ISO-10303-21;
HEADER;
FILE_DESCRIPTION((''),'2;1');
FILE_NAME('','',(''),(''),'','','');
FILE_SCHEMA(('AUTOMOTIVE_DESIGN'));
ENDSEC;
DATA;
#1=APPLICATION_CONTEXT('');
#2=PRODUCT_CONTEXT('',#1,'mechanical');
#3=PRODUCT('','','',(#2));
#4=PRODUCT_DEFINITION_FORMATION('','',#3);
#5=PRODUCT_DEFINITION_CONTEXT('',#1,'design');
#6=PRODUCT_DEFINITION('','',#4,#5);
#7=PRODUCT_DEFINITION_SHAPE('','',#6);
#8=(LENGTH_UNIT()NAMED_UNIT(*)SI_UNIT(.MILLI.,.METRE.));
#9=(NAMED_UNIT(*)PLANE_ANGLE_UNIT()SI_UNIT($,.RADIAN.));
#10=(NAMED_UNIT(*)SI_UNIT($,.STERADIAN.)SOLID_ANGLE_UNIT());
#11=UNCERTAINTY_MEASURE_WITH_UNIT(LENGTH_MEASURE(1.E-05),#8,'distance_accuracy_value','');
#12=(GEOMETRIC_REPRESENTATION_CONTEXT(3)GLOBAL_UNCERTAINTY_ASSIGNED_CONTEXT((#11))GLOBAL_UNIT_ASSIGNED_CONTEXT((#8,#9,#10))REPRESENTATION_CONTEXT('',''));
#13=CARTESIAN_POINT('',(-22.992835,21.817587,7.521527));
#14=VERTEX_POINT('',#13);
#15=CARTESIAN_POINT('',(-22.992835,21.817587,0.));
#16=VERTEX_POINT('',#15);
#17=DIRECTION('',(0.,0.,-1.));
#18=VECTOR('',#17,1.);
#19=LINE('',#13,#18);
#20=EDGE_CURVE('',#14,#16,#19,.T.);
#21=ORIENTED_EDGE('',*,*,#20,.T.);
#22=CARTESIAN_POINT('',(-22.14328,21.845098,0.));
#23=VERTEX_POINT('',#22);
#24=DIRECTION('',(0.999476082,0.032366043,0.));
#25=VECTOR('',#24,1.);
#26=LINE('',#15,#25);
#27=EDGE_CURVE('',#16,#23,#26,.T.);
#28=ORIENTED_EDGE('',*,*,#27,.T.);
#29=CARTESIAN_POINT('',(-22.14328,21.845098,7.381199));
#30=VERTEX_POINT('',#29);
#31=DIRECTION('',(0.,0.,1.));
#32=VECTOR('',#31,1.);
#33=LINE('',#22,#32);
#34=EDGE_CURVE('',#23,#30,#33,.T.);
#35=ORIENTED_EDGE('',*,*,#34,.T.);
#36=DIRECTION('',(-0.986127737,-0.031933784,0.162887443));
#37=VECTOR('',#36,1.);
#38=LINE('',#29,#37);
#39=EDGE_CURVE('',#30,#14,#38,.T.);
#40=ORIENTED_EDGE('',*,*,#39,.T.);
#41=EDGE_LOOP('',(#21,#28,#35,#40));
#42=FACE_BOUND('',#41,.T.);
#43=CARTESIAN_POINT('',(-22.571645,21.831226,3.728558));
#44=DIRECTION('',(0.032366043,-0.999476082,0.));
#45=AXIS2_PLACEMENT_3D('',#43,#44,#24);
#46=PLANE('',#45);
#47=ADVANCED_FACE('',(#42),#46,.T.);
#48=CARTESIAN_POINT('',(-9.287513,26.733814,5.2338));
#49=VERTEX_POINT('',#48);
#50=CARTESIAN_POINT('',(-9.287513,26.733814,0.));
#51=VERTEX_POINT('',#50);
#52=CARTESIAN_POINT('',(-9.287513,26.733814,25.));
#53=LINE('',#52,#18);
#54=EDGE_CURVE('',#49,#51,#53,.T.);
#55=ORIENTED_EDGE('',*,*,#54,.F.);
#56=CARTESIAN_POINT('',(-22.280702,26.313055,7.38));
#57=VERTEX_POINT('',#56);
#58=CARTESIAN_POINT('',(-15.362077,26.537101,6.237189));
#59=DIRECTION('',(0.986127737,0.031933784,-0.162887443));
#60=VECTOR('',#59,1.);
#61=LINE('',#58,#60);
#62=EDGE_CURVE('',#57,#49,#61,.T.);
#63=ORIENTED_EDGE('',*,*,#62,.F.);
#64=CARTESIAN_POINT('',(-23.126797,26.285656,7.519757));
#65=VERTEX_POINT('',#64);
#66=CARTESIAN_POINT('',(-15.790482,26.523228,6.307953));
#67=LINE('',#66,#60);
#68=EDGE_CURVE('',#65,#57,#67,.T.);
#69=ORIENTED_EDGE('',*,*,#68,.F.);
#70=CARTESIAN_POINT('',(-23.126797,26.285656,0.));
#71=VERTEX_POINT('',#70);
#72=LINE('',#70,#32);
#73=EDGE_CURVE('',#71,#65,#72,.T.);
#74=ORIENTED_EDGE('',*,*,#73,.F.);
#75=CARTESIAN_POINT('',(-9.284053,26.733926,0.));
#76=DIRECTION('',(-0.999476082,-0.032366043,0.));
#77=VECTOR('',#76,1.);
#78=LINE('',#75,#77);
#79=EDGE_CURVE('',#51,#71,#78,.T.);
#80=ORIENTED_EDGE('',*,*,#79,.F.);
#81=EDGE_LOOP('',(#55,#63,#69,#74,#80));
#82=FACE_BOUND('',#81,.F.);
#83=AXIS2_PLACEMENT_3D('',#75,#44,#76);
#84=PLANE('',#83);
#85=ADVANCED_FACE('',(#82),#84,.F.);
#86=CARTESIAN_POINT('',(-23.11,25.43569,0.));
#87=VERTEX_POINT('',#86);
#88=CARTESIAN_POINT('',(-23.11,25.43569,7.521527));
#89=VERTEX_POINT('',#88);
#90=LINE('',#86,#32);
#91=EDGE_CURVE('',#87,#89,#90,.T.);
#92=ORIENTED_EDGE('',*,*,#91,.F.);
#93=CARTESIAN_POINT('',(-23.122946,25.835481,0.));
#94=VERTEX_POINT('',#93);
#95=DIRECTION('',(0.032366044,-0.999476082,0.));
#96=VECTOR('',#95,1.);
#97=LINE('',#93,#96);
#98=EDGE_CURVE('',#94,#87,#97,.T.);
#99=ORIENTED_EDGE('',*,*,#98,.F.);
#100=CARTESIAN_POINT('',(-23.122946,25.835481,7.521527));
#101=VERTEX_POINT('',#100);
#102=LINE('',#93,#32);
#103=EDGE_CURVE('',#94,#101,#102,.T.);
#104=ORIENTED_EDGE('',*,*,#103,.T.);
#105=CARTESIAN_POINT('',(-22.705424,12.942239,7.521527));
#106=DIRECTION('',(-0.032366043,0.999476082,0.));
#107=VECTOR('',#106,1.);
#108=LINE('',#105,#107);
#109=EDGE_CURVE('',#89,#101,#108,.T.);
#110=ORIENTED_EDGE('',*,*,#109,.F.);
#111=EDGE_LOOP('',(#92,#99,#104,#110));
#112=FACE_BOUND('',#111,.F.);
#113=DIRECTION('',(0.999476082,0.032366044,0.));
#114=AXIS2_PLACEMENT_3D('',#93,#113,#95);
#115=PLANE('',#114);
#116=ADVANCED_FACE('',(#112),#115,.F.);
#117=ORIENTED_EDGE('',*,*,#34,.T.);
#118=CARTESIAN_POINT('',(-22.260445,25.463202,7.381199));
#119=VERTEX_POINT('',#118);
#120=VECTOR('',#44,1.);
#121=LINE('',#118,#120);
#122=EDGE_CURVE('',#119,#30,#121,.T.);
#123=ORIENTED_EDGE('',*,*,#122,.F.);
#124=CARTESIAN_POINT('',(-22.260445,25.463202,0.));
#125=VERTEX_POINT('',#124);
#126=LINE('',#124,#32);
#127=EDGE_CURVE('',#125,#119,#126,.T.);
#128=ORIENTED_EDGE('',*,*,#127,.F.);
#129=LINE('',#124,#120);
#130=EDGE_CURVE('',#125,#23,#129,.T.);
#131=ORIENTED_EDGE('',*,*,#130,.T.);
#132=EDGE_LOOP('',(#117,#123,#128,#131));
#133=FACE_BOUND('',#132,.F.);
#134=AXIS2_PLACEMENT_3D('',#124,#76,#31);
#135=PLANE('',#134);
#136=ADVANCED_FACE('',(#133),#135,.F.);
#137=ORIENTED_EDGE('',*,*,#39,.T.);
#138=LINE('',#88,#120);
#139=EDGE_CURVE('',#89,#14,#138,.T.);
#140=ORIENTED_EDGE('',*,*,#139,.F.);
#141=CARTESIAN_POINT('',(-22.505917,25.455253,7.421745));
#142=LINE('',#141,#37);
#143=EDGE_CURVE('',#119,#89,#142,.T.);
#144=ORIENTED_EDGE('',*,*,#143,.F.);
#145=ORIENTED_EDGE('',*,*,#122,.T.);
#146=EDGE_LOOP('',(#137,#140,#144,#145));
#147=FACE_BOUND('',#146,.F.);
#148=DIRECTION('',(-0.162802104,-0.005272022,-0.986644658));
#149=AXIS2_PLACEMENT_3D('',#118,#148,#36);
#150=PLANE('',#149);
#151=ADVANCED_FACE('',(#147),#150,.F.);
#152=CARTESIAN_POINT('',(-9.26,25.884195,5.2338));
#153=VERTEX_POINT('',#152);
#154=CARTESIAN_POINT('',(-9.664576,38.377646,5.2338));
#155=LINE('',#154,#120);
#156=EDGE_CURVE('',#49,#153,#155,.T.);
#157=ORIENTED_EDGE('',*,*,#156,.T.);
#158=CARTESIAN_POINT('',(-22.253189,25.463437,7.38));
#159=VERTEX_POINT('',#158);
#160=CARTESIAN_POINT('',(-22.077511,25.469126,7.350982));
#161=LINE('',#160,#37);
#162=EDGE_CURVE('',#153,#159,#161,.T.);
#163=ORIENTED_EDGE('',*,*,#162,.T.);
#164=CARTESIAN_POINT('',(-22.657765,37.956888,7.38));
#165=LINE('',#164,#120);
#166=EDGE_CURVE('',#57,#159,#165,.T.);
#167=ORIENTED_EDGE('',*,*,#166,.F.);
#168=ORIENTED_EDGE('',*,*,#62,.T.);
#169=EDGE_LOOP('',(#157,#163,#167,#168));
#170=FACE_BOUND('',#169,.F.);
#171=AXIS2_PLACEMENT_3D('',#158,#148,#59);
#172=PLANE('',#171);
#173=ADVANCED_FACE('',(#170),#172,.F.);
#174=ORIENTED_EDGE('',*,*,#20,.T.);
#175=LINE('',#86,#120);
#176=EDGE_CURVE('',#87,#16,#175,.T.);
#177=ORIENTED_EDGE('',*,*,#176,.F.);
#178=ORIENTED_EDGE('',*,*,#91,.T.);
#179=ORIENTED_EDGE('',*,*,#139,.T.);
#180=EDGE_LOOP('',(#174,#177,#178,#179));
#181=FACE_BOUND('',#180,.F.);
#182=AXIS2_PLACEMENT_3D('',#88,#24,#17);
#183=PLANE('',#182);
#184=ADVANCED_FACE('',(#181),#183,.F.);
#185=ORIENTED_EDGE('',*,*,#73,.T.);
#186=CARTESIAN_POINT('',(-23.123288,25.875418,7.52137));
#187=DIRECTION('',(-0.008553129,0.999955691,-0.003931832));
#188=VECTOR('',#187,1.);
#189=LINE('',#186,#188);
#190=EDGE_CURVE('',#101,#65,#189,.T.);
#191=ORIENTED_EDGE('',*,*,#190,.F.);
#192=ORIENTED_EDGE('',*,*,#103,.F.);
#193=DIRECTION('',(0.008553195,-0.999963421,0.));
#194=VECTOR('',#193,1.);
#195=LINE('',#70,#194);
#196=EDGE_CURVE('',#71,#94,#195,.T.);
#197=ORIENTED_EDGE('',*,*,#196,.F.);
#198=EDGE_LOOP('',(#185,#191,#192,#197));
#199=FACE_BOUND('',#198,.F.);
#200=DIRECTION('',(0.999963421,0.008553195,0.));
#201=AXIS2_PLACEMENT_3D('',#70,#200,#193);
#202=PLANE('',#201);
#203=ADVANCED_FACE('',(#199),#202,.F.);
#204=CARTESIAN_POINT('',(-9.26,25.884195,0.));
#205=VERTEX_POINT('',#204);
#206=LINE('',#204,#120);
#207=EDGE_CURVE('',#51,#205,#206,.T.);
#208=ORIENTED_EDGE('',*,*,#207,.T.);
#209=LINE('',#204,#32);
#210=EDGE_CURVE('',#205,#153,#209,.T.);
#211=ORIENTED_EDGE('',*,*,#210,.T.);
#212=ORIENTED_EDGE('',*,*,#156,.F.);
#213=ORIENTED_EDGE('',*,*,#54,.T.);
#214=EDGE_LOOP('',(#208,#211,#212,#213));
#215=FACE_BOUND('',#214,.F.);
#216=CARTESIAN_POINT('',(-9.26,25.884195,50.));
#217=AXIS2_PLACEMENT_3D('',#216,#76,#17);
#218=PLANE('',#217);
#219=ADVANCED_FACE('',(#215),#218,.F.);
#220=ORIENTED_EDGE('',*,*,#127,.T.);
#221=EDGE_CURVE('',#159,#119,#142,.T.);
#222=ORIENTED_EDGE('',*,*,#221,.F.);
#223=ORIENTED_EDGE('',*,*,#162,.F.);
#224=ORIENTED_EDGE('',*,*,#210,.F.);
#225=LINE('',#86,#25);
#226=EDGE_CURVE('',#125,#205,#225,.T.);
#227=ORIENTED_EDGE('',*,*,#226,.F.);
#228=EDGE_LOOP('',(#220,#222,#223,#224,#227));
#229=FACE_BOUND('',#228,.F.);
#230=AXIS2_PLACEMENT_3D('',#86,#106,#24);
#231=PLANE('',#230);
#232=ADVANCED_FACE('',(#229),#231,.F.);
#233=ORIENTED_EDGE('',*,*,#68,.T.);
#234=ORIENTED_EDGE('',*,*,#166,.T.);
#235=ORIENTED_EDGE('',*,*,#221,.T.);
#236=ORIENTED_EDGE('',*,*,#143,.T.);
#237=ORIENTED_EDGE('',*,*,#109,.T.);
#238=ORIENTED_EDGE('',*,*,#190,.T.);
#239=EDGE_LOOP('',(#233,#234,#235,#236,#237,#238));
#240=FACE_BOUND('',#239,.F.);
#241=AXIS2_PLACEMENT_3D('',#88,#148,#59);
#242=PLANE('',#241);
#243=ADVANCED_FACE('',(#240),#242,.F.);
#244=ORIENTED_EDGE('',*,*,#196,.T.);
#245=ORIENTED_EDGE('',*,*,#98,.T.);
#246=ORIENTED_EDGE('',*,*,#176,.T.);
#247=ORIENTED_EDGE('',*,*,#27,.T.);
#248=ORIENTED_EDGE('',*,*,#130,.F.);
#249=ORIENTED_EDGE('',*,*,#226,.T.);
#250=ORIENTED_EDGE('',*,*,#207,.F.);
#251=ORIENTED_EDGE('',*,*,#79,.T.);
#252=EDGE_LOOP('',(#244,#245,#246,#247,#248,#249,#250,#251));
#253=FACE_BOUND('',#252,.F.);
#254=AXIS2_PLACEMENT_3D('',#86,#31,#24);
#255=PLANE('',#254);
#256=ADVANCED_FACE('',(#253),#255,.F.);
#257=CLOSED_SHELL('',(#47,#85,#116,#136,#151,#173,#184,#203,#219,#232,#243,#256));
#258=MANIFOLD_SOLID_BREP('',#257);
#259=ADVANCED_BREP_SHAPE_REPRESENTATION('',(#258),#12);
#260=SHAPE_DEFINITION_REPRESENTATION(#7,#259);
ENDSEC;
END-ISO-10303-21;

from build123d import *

# Parameters (mm, degrees)
F1_DEPTH      = 11.4
F3_DEPTH      = 25
F5_DEPTH      = 12.5
F7_DEPTH      = 3.62
F9_DEPTH      = 25
F9_DEPTH_BACK = 49.7


with BuildPart() as f1:
    # F0 (on Top) → F1 (new body)
    with BuildSketch(Plane.XY):
        with BuildLine():
            Line((0, 21.6441951712), (18.1235127774, 0))
            Line((18.1235127774, 0), (18.4301963788, 0.256797914))
            Line((18.4301963788, 0.256797914), (0.3066836014, 21.9009930852))
            ThreePointArc((0.3066836014, 21.9009930852), (-3.986202338, 25.1744521896), (-9.269486464, 26.2840976478))
            Line((-9.269486464, 26.2840976478), (-23.1229464174, 25.8354809233))
            Line((-23.1229464174, 25.8354809233), (-23.11, 25.4356904904))
            Line((-23.11, 25.4356904904), (-9.26, 25.8841951712))
            ThreePointArc((-9.26, 25.8841951712), (-4.1511288202, 24.8100317574), (0, 21.6441951712))
        make_face()
        Polygon((-23.1229464174, 25.8354809233), (-9.269486464, 26.2840976478), (-9.2840532536, 26.7339258093), (-23.1267969944, 26.285656108), align=None)
    extrude(amount=F1_DEPTH)

    # F2 (on face) → F3 (cut)
    with BuildSketch(Plane(origin=(10.6537746153, 8.9208131252, 0), x_dir=(0.6419947849, -0.7667090036, 0), z_dir=(-0.7667090036, -0.6419947849, 0))):
        Polygon((-16.5947993131, 4.18), (11.6352006869, 1.35), (11.6352006869, 11.4), (-16.5947993131, 11.4), align=None)
    extrude(amount=-F3_DEPTH, mode=Mode.SUBTRACT)

    # F4 (on face) → F5 (cut, symmetric)
    with BuildSketch(Plane(origin=(-0.8470304755, 26.1566324428, 0), x_dir=(0.9994760824, 0.0323660434, 0), z_dir=(0.0323660434, -0.9994760824, 0))):
        Polygon((-22.2746396009, 7.5215270421), (-21.4173795381, 7.38), (-21.4173795381, 11.4), (-22.2746396009, 11.4), align=None)
        Polygon((-21.4173795381, 7.38), (-8.4173795381, 5.2338), (-8.4173795381, 11.4), (-21.4173795381, 11.4), align=None)
        Polygon((-8.4173795381, 11.4), (-8.4173795381, 5.2338), (0.7005369606, 4.18), (0.7005369606, 11.4), align=None)
        Polygon((0.7005369606, 11.4), (0.7005369606, 4.18), (18.1140175495, 1.35), (18.1140175495, 8.57), (18.1140175495, 11.4), align=None)
    extrude(amount=F5_DEPTH, both=True, mode=Mode.SUBTRACT)

    # F6 (on face) → F7 (join)
    with BuildSketch(Plane(origin=(-0.8470304755, 26.1566324428, 0), x_dir=(0.9994760824, 0.0323660434, 0), z_dir=(0.0323660434, -0.9994760824, 0))):
        Polygon((-22.2746396009, 7.5215270421), (-22.2746396009, 0), (-21.4246396009, 0), (-21.4246396009, 7.3811985805), align=None)
    extrude(amount=F7_DEPTH)

    # F8 (on face) → F9 (cut, two sides)
    with BuildSketch(Plane(origin=(-0.8470304755, 26.1566324428, 0), x_dir=(0.9994760824, 0.0323660434, 0), z_dir=(0.0323660434, -0.9994760824, 0))) as f9_sk:
        Polygon((-8.4173795381, 5.2338), (-8.4173795381, 0), (-8.4173795381, -8.5982028395), (53.2149014449, -45.262684235), (51.573908383, 51.0224351168), (-8.4173795381, 50), align=None)
    extrude(amount=-F9_DEPTH, mode=Mode.SUBTRACT)
    extrude(f9_sk.sketch, amount=F9_DEPTH_BACK, mode=Mode.SUBTRACT)


solid = f1.part
